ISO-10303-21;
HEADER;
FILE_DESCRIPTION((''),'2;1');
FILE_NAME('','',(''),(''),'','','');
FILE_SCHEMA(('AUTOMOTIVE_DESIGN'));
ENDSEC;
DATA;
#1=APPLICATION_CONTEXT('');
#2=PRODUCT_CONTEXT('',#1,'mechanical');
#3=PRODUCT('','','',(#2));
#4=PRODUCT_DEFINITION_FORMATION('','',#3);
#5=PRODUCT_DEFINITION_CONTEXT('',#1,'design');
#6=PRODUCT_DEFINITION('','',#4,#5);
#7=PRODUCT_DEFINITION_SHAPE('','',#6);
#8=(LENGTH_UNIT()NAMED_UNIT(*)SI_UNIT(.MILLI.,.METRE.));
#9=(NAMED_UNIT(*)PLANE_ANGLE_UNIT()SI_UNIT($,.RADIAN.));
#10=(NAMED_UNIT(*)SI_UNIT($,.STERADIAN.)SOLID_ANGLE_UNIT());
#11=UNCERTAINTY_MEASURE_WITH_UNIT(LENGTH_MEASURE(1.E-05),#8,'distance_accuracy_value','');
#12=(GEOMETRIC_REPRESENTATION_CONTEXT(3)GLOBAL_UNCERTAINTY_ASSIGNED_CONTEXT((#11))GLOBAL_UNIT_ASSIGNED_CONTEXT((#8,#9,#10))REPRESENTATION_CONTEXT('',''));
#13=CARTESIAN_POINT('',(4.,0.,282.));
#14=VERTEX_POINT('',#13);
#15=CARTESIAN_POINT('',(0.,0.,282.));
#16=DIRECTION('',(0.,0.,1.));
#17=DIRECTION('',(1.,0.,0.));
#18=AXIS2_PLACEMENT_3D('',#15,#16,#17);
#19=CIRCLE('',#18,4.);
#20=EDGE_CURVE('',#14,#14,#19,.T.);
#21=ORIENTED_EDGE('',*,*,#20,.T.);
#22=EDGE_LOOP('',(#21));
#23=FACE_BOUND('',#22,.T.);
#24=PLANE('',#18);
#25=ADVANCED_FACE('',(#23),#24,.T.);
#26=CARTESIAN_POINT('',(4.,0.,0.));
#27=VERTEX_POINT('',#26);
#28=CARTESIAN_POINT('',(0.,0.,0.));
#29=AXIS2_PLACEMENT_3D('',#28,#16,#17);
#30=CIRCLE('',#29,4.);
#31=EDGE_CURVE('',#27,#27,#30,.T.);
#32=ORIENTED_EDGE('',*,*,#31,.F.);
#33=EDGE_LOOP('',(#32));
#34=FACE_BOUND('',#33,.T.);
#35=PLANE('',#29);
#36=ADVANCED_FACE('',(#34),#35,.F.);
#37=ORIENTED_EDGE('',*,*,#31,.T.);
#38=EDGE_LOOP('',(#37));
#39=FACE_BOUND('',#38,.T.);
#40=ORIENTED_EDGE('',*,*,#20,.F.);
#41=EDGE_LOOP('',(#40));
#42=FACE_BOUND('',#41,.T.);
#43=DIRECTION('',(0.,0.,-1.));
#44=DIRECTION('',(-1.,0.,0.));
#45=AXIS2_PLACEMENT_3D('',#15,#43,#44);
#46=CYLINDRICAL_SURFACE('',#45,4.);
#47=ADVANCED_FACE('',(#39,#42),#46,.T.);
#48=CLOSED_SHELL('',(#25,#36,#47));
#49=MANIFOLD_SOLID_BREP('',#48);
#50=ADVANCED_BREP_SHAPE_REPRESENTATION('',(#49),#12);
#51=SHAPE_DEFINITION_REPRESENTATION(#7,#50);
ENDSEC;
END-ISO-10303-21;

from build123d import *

# Parameters (mm, degrees)
SKETCH_1_R      = 4
EXTRUDE_1_DEPTH = 282


with BuildPart() as part:
    # Эскиз1 → Бобышка-Вытянуть1 (new body)
    with BuildSketch(Plane.XY):
        Circle(SKETCH_1_R)
    extrude(amount=EXTRUDE_1_DEPTH)


solid = part.part
